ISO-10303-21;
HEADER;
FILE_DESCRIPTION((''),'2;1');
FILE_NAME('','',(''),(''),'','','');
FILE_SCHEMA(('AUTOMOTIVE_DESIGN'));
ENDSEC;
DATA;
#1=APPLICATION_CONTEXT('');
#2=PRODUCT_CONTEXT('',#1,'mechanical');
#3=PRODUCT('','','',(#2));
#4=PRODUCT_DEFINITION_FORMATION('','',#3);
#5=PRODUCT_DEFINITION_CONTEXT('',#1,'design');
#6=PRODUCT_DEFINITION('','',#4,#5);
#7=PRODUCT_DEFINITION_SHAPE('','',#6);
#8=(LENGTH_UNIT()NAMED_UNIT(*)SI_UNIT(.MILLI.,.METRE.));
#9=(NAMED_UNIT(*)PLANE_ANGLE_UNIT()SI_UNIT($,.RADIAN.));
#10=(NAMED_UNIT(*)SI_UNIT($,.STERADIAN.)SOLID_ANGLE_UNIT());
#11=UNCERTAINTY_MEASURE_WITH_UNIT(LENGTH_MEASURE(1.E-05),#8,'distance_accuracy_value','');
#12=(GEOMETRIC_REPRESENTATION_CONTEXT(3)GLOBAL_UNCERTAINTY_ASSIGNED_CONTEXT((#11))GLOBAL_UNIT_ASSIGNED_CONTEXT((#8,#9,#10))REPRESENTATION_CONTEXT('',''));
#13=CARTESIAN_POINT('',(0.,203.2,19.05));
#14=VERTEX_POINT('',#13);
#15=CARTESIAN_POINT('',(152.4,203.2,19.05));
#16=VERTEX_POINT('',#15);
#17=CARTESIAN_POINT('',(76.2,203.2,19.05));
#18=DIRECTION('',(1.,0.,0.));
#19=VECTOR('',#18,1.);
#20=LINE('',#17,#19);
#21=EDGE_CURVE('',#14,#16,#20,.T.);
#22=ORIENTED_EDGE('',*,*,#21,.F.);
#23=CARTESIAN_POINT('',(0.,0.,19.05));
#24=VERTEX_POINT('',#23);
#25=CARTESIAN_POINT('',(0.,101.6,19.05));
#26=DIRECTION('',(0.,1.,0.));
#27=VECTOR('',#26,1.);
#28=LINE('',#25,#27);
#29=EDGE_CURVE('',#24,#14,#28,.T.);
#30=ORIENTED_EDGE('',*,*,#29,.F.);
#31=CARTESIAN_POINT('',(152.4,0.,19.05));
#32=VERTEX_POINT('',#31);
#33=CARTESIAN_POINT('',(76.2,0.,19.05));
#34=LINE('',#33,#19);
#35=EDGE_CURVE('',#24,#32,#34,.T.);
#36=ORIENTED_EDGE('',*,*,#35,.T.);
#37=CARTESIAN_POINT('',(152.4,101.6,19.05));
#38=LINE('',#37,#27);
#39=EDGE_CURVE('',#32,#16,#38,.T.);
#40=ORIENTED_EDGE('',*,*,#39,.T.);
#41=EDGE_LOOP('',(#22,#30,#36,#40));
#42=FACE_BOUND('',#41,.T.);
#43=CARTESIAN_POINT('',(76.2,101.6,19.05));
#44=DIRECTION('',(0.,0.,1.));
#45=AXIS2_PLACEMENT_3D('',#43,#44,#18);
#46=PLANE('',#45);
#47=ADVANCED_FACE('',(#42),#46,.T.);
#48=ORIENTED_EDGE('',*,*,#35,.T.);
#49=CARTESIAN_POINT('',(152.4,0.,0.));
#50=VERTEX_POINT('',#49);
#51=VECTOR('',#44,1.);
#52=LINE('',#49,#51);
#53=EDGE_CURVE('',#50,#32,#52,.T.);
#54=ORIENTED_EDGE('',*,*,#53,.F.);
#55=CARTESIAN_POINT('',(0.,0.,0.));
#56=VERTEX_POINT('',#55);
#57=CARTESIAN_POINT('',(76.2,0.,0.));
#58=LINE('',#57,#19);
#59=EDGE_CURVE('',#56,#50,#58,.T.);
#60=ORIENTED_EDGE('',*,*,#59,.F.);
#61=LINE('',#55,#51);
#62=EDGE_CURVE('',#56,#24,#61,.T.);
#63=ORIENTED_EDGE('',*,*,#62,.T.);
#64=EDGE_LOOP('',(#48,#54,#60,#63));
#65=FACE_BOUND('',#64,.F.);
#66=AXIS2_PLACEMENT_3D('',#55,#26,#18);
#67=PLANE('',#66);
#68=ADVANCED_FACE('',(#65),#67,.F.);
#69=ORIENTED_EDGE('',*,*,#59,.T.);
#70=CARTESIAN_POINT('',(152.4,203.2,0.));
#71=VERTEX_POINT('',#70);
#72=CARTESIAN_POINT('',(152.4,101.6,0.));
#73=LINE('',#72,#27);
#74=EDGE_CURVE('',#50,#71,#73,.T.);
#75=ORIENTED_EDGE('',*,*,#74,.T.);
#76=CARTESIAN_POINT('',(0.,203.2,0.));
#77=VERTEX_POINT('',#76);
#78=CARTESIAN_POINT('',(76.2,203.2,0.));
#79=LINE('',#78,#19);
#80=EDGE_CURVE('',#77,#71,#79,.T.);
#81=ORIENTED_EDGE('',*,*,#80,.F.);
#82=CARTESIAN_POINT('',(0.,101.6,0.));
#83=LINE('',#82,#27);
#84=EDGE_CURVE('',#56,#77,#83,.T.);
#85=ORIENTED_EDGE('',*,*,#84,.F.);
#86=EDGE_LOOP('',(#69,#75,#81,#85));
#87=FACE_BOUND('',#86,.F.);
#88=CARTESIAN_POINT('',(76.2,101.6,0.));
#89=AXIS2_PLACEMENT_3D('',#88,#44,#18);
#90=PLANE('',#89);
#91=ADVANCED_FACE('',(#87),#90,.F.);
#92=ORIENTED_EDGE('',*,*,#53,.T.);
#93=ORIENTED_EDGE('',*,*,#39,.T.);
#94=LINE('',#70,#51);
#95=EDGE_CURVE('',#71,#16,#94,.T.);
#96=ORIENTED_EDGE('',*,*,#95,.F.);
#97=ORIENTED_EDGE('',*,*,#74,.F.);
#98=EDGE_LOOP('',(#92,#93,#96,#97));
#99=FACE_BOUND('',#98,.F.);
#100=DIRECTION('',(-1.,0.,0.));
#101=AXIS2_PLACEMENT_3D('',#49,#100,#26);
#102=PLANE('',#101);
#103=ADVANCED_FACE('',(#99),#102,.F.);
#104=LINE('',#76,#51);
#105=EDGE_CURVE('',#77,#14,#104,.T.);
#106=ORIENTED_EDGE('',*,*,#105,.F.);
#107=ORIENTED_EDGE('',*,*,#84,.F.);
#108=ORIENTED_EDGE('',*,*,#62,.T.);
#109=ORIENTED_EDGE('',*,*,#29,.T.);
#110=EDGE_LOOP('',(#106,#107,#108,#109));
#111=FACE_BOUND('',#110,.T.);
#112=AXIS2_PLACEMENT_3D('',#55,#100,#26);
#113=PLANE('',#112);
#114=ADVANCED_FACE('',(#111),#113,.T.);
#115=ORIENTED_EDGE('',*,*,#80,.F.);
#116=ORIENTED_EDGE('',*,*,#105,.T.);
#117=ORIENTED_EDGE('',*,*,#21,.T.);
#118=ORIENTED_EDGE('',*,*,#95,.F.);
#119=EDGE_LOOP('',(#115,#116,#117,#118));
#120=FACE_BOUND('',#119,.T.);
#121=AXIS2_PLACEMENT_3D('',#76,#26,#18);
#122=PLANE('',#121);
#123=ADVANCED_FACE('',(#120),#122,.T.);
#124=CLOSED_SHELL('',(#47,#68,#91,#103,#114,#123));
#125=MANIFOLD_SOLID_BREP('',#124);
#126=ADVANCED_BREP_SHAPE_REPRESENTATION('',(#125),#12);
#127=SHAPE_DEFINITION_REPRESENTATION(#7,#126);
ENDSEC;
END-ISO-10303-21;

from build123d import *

# Parameters (mm, degrees)
BOX_W     = 152.4
BOX_H     = 203.2
BOX_DEPTH = 19.05


with BuildPart() as part:
    # Box → Box (new body)
    with BuildSketch(Plane.XY):
        with Locations((76.2, 101.6)):
            Rectangle(BOX_W, BOX_H)
    extrude(amount=BOX_DEPTH)


solid = part.part
